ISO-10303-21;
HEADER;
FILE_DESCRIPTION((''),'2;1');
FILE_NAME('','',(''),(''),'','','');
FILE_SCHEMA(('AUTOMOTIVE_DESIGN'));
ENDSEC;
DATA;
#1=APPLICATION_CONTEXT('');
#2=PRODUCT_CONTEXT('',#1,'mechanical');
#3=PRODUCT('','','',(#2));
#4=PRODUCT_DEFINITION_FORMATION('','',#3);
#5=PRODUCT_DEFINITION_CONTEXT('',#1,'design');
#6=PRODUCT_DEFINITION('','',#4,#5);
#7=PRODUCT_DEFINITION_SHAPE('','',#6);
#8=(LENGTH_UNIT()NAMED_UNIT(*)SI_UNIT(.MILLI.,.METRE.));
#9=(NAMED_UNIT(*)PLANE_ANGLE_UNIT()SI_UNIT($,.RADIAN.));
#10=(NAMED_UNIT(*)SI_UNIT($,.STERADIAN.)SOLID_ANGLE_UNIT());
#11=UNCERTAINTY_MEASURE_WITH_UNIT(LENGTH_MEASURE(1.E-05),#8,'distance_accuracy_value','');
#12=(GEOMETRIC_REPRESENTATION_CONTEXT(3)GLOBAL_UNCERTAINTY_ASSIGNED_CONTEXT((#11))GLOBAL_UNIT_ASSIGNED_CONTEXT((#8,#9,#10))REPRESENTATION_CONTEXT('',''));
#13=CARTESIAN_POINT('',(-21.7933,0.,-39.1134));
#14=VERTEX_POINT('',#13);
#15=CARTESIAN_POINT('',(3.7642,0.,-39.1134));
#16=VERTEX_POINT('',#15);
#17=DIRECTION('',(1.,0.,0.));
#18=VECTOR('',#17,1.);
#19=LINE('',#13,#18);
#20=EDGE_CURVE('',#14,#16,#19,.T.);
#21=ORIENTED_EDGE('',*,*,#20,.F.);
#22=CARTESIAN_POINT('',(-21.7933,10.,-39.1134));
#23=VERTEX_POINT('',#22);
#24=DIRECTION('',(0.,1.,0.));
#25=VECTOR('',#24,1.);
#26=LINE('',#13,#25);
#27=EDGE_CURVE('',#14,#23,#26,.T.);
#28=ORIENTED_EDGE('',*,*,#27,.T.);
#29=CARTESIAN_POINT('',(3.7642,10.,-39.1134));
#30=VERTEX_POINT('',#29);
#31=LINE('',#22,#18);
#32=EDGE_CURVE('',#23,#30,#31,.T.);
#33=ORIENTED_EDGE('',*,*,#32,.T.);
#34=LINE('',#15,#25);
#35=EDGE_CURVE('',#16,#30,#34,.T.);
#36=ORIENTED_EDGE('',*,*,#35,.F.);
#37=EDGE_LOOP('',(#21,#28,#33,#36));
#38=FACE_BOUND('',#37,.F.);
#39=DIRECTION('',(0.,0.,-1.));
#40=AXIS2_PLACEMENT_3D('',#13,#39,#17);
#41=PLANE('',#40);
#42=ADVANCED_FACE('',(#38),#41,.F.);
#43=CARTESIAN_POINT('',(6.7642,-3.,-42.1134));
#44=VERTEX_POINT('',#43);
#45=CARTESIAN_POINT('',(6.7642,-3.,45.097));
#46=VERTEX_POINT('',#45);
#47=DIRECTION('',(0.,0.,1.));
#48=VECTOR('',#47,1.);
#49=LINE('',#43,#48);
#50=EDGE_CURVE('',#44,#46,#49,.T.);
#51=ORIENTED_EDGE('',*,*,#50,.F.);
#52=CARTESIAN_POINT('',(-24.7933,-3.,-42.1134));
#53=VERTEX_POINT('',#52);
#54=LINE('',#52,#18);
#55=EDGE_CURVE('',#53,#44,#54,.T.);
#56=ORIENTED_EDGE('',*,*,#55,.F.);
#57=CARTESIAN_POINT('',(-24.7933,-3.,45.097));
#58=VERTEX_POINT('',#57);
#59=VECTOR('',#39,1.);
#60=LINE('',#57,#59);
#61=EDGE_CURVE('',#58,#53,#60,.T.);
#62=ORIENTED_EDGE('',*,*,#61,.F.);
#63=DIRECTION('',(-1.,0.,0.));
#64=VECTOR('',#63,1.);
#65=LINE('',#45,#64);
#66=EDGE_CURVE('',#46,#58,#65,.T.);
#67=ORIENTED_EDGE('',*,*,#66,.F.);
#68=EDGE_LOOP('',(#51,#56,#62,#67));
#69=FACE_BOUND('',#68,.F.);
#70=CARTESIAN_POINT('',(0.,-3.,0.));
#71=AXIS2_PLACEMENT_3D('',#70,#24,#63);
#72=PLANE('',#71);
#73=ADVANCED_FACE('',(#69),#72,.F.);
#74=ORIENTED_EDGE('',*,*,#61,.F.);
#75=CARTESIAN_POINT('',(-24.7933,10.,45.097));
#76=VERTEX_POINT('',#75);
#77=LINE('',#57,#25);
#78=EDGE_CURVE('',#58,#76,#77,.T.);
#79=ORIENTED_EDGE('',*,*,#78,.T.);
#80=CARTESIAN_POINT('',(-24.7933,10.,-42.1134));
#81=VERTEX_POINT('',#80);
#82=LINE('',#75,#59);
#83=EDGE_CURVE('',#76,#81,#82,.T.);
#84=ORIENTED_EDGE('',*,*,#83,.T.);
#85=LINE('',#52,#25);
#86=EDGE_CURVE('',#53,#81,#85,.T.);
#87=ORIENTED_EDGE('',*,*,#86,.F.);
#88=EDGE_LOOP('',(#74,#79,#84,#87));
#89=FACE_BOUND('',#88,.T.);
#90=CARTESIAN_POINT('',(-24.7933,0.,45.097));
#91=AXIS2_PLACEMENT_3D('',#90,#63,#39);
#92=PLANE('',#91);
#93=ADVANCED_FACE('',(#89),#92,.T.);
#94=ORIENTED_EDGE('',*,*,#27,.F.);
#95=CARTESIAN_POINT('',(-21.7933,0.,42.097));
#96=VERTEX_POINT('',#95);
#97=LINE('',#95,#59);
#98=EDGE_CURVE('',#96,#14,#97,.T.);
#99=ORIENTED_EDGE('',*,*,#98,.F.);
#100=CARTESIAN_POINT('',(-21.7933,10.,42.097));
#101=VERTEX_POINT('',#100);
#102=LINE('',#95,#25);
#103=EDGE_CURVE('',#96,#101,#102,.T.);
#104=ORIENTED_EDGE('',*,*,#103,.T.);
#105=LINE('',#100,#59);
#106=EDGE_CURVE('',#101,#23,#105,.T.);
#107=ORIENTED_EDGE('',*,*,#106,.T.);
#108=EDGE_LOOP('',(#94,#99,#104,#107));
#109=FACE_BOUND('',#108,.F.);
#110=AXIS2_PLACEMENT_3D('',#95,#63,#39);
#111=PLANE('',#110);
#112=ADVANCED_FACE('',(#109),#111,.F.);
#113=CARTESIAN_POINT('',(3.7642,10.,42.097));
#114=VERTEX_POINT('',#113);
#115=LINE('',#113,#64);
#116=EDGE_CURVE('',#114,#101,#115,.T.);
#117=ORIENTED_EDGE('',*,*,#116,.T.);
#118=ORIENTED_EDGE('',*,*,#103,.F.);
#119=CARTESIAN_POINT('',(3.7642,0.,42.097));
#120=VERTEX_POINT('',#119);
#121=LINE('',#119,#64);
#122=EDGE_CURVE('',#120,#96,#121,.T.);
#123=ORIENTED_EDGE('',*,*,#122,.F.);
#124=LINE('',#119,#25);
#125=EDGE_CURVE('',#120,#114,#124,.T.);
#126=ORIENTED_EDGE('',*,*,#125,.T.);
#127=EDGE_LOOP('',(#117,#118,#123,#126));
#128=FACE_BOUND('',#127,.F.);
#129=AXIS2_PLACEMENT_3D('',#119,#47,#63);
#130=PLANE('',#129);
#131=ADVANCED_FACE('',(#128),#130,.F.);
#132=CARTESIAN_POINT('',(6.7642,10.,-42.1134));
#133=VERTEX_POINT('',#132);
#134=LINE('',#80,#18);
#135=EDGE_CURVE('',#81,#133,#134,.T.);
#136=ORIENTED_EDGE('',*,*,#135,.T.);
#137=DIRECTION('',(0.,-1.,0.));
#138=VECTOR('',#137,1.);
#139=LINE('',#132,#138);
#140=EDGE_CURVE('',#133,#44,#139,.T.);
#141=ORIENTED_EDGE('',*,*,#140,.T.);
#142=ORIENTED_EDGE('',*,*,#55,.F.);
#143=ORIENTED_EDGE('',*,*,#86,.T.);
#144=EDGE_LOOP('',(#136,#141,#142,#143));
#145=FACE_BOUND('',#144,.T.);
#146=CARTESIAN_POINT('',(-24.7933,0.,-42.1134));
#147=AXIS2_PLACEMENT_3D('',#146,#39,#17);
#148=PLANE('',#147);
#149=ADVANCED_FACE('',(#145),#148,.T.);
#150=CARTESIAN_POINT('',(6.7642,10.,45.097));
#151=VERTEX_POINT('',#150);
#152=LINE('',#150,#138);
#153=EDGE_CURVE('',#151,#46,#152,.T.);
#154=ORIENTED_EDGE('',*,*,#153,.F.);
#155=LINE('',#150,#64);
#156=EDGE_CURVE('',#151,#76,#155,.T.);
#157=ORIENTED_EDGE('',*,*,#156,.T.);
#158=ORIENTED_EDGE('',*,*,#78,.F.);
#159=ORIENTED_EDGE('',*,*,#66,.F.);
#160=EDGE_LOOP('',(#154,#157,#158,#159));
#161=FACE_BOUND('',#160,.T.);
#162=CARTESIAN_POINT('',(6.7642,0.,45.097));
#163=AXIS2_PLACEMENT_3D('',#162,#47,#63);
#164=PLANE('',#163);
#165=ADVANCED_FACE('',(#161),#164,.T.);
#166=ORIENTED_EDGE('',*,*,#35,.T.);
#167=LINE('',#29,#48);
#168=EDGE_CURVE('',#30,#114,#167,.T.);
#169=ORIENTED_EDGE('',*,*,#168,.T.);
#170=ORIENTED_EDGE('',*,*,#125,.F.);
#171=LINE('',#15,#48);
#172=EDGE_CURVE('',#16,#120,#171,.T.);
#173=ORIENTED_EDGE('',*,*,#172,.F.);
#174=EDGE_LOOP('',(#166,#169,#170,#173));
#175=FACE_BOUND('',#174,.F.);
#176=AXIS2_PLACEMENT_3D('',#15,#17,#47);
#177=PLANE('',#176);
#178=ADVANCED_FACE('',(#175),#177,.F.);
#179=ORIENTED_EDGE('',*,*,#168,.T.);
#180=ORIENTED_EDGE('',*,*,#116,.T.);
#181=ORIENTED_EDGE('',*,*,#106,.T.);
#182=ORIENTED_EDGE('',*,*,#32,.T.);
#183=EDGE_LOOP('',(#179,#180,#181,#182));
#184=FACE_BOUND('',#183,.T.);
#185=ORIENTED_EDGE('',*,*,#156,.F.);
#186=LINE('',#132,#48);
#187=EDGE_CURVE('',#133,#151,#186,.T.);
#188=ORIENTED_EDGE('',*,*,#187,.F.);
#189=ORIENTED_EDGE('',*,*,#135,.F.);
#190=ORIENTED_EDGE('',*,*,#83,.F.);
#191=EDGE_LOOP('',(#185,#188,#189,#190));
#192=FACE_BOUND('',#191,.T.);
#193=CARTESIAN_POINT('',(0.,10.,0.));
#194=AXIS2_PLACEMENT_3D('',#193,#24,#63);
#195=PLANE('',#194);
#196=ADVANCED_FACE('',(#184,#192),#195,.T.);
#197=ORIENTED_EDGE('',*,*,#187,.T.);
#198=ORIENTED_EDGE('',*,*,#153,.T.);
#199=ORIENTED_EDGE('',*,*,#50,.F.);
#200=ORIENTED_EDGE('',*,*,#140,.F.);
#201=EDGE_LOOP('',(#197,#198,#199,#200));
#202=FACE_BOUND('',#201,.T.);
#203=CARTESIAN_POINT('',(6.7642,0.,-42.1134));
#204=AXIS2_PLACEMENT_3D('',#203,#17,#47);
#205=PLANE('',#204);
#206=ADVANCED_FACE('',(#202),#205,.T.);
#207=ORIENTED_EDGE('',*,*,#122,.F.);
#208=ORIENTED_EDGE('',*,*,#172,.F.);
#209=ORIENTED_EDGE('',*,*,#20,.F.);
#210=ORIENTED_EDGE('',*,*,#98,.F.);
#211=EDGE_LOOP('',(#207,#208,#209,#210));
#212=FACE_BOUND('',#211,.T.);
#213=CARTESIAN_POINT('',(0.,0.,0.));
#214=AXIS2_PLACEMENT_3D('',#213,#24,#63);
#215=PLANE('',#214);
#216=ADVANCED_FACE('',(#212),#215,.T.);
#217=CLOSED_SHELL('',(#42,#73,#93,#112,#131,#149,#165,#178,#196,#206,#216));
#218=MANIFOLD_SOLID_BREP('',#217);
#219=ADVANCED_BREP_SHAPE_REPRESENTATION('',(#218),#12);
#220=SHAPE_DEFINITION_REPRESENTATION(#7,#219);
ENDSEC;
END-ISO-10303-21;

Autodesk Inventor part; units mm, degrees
ref_plane "YZ Plane" through (0, 0, 0) normal (1, 0, 0) x (0, 1, 0)
ref_plane "XZ Plane" through (0, 0, 0) normal (0, 1, 0) x (-1, 0, 0)
ref_plane "XY Plane" through (0, 0, 0) normal (0, 0, 1) x (1, 0, 0)
sketch "Sketch1" plane through (0, 0, 0) normal (0, 1, 0) x (-1, 0, 0)
  line L0 (24.7933, -42.1134) -> (-6.7642, -42.1134)
  line L1 (-6.7642, -42.1134) -> (-6.7642, 45.097)
  line L2 (-6.7642, 45.097) -> (24.7933, 45.097)
  line L3 (24.7933, 45.097) -> (24.7933, -42.1134)
  line L4 (21.7933, -39.1134) -> (-3.7642, -39.1134)
  line L5 (-3.7642, -39.1134) -> (-3.7642, 42.097)
  line L6 (-3.7642, 42.097) -> (21.7933, 42.097)
  line L7 (21.7933, 42.097) -> (21.7933, -39.1134)
  point P0 (0, 0)
  dimension "d0" = 3
  dimension "d1" = 3
  dimension "d2" = 3
  dimension "d3" = 3
extrude "Extrusion2" add sketch "Sketch1" against normal blind 3 contours L0 L1 L2 L3 | L4 L5 L6 L7
extrude "Extrusion3" add sketch "Sketch1" along normal blind 10
properties part number "housing_bottom"
